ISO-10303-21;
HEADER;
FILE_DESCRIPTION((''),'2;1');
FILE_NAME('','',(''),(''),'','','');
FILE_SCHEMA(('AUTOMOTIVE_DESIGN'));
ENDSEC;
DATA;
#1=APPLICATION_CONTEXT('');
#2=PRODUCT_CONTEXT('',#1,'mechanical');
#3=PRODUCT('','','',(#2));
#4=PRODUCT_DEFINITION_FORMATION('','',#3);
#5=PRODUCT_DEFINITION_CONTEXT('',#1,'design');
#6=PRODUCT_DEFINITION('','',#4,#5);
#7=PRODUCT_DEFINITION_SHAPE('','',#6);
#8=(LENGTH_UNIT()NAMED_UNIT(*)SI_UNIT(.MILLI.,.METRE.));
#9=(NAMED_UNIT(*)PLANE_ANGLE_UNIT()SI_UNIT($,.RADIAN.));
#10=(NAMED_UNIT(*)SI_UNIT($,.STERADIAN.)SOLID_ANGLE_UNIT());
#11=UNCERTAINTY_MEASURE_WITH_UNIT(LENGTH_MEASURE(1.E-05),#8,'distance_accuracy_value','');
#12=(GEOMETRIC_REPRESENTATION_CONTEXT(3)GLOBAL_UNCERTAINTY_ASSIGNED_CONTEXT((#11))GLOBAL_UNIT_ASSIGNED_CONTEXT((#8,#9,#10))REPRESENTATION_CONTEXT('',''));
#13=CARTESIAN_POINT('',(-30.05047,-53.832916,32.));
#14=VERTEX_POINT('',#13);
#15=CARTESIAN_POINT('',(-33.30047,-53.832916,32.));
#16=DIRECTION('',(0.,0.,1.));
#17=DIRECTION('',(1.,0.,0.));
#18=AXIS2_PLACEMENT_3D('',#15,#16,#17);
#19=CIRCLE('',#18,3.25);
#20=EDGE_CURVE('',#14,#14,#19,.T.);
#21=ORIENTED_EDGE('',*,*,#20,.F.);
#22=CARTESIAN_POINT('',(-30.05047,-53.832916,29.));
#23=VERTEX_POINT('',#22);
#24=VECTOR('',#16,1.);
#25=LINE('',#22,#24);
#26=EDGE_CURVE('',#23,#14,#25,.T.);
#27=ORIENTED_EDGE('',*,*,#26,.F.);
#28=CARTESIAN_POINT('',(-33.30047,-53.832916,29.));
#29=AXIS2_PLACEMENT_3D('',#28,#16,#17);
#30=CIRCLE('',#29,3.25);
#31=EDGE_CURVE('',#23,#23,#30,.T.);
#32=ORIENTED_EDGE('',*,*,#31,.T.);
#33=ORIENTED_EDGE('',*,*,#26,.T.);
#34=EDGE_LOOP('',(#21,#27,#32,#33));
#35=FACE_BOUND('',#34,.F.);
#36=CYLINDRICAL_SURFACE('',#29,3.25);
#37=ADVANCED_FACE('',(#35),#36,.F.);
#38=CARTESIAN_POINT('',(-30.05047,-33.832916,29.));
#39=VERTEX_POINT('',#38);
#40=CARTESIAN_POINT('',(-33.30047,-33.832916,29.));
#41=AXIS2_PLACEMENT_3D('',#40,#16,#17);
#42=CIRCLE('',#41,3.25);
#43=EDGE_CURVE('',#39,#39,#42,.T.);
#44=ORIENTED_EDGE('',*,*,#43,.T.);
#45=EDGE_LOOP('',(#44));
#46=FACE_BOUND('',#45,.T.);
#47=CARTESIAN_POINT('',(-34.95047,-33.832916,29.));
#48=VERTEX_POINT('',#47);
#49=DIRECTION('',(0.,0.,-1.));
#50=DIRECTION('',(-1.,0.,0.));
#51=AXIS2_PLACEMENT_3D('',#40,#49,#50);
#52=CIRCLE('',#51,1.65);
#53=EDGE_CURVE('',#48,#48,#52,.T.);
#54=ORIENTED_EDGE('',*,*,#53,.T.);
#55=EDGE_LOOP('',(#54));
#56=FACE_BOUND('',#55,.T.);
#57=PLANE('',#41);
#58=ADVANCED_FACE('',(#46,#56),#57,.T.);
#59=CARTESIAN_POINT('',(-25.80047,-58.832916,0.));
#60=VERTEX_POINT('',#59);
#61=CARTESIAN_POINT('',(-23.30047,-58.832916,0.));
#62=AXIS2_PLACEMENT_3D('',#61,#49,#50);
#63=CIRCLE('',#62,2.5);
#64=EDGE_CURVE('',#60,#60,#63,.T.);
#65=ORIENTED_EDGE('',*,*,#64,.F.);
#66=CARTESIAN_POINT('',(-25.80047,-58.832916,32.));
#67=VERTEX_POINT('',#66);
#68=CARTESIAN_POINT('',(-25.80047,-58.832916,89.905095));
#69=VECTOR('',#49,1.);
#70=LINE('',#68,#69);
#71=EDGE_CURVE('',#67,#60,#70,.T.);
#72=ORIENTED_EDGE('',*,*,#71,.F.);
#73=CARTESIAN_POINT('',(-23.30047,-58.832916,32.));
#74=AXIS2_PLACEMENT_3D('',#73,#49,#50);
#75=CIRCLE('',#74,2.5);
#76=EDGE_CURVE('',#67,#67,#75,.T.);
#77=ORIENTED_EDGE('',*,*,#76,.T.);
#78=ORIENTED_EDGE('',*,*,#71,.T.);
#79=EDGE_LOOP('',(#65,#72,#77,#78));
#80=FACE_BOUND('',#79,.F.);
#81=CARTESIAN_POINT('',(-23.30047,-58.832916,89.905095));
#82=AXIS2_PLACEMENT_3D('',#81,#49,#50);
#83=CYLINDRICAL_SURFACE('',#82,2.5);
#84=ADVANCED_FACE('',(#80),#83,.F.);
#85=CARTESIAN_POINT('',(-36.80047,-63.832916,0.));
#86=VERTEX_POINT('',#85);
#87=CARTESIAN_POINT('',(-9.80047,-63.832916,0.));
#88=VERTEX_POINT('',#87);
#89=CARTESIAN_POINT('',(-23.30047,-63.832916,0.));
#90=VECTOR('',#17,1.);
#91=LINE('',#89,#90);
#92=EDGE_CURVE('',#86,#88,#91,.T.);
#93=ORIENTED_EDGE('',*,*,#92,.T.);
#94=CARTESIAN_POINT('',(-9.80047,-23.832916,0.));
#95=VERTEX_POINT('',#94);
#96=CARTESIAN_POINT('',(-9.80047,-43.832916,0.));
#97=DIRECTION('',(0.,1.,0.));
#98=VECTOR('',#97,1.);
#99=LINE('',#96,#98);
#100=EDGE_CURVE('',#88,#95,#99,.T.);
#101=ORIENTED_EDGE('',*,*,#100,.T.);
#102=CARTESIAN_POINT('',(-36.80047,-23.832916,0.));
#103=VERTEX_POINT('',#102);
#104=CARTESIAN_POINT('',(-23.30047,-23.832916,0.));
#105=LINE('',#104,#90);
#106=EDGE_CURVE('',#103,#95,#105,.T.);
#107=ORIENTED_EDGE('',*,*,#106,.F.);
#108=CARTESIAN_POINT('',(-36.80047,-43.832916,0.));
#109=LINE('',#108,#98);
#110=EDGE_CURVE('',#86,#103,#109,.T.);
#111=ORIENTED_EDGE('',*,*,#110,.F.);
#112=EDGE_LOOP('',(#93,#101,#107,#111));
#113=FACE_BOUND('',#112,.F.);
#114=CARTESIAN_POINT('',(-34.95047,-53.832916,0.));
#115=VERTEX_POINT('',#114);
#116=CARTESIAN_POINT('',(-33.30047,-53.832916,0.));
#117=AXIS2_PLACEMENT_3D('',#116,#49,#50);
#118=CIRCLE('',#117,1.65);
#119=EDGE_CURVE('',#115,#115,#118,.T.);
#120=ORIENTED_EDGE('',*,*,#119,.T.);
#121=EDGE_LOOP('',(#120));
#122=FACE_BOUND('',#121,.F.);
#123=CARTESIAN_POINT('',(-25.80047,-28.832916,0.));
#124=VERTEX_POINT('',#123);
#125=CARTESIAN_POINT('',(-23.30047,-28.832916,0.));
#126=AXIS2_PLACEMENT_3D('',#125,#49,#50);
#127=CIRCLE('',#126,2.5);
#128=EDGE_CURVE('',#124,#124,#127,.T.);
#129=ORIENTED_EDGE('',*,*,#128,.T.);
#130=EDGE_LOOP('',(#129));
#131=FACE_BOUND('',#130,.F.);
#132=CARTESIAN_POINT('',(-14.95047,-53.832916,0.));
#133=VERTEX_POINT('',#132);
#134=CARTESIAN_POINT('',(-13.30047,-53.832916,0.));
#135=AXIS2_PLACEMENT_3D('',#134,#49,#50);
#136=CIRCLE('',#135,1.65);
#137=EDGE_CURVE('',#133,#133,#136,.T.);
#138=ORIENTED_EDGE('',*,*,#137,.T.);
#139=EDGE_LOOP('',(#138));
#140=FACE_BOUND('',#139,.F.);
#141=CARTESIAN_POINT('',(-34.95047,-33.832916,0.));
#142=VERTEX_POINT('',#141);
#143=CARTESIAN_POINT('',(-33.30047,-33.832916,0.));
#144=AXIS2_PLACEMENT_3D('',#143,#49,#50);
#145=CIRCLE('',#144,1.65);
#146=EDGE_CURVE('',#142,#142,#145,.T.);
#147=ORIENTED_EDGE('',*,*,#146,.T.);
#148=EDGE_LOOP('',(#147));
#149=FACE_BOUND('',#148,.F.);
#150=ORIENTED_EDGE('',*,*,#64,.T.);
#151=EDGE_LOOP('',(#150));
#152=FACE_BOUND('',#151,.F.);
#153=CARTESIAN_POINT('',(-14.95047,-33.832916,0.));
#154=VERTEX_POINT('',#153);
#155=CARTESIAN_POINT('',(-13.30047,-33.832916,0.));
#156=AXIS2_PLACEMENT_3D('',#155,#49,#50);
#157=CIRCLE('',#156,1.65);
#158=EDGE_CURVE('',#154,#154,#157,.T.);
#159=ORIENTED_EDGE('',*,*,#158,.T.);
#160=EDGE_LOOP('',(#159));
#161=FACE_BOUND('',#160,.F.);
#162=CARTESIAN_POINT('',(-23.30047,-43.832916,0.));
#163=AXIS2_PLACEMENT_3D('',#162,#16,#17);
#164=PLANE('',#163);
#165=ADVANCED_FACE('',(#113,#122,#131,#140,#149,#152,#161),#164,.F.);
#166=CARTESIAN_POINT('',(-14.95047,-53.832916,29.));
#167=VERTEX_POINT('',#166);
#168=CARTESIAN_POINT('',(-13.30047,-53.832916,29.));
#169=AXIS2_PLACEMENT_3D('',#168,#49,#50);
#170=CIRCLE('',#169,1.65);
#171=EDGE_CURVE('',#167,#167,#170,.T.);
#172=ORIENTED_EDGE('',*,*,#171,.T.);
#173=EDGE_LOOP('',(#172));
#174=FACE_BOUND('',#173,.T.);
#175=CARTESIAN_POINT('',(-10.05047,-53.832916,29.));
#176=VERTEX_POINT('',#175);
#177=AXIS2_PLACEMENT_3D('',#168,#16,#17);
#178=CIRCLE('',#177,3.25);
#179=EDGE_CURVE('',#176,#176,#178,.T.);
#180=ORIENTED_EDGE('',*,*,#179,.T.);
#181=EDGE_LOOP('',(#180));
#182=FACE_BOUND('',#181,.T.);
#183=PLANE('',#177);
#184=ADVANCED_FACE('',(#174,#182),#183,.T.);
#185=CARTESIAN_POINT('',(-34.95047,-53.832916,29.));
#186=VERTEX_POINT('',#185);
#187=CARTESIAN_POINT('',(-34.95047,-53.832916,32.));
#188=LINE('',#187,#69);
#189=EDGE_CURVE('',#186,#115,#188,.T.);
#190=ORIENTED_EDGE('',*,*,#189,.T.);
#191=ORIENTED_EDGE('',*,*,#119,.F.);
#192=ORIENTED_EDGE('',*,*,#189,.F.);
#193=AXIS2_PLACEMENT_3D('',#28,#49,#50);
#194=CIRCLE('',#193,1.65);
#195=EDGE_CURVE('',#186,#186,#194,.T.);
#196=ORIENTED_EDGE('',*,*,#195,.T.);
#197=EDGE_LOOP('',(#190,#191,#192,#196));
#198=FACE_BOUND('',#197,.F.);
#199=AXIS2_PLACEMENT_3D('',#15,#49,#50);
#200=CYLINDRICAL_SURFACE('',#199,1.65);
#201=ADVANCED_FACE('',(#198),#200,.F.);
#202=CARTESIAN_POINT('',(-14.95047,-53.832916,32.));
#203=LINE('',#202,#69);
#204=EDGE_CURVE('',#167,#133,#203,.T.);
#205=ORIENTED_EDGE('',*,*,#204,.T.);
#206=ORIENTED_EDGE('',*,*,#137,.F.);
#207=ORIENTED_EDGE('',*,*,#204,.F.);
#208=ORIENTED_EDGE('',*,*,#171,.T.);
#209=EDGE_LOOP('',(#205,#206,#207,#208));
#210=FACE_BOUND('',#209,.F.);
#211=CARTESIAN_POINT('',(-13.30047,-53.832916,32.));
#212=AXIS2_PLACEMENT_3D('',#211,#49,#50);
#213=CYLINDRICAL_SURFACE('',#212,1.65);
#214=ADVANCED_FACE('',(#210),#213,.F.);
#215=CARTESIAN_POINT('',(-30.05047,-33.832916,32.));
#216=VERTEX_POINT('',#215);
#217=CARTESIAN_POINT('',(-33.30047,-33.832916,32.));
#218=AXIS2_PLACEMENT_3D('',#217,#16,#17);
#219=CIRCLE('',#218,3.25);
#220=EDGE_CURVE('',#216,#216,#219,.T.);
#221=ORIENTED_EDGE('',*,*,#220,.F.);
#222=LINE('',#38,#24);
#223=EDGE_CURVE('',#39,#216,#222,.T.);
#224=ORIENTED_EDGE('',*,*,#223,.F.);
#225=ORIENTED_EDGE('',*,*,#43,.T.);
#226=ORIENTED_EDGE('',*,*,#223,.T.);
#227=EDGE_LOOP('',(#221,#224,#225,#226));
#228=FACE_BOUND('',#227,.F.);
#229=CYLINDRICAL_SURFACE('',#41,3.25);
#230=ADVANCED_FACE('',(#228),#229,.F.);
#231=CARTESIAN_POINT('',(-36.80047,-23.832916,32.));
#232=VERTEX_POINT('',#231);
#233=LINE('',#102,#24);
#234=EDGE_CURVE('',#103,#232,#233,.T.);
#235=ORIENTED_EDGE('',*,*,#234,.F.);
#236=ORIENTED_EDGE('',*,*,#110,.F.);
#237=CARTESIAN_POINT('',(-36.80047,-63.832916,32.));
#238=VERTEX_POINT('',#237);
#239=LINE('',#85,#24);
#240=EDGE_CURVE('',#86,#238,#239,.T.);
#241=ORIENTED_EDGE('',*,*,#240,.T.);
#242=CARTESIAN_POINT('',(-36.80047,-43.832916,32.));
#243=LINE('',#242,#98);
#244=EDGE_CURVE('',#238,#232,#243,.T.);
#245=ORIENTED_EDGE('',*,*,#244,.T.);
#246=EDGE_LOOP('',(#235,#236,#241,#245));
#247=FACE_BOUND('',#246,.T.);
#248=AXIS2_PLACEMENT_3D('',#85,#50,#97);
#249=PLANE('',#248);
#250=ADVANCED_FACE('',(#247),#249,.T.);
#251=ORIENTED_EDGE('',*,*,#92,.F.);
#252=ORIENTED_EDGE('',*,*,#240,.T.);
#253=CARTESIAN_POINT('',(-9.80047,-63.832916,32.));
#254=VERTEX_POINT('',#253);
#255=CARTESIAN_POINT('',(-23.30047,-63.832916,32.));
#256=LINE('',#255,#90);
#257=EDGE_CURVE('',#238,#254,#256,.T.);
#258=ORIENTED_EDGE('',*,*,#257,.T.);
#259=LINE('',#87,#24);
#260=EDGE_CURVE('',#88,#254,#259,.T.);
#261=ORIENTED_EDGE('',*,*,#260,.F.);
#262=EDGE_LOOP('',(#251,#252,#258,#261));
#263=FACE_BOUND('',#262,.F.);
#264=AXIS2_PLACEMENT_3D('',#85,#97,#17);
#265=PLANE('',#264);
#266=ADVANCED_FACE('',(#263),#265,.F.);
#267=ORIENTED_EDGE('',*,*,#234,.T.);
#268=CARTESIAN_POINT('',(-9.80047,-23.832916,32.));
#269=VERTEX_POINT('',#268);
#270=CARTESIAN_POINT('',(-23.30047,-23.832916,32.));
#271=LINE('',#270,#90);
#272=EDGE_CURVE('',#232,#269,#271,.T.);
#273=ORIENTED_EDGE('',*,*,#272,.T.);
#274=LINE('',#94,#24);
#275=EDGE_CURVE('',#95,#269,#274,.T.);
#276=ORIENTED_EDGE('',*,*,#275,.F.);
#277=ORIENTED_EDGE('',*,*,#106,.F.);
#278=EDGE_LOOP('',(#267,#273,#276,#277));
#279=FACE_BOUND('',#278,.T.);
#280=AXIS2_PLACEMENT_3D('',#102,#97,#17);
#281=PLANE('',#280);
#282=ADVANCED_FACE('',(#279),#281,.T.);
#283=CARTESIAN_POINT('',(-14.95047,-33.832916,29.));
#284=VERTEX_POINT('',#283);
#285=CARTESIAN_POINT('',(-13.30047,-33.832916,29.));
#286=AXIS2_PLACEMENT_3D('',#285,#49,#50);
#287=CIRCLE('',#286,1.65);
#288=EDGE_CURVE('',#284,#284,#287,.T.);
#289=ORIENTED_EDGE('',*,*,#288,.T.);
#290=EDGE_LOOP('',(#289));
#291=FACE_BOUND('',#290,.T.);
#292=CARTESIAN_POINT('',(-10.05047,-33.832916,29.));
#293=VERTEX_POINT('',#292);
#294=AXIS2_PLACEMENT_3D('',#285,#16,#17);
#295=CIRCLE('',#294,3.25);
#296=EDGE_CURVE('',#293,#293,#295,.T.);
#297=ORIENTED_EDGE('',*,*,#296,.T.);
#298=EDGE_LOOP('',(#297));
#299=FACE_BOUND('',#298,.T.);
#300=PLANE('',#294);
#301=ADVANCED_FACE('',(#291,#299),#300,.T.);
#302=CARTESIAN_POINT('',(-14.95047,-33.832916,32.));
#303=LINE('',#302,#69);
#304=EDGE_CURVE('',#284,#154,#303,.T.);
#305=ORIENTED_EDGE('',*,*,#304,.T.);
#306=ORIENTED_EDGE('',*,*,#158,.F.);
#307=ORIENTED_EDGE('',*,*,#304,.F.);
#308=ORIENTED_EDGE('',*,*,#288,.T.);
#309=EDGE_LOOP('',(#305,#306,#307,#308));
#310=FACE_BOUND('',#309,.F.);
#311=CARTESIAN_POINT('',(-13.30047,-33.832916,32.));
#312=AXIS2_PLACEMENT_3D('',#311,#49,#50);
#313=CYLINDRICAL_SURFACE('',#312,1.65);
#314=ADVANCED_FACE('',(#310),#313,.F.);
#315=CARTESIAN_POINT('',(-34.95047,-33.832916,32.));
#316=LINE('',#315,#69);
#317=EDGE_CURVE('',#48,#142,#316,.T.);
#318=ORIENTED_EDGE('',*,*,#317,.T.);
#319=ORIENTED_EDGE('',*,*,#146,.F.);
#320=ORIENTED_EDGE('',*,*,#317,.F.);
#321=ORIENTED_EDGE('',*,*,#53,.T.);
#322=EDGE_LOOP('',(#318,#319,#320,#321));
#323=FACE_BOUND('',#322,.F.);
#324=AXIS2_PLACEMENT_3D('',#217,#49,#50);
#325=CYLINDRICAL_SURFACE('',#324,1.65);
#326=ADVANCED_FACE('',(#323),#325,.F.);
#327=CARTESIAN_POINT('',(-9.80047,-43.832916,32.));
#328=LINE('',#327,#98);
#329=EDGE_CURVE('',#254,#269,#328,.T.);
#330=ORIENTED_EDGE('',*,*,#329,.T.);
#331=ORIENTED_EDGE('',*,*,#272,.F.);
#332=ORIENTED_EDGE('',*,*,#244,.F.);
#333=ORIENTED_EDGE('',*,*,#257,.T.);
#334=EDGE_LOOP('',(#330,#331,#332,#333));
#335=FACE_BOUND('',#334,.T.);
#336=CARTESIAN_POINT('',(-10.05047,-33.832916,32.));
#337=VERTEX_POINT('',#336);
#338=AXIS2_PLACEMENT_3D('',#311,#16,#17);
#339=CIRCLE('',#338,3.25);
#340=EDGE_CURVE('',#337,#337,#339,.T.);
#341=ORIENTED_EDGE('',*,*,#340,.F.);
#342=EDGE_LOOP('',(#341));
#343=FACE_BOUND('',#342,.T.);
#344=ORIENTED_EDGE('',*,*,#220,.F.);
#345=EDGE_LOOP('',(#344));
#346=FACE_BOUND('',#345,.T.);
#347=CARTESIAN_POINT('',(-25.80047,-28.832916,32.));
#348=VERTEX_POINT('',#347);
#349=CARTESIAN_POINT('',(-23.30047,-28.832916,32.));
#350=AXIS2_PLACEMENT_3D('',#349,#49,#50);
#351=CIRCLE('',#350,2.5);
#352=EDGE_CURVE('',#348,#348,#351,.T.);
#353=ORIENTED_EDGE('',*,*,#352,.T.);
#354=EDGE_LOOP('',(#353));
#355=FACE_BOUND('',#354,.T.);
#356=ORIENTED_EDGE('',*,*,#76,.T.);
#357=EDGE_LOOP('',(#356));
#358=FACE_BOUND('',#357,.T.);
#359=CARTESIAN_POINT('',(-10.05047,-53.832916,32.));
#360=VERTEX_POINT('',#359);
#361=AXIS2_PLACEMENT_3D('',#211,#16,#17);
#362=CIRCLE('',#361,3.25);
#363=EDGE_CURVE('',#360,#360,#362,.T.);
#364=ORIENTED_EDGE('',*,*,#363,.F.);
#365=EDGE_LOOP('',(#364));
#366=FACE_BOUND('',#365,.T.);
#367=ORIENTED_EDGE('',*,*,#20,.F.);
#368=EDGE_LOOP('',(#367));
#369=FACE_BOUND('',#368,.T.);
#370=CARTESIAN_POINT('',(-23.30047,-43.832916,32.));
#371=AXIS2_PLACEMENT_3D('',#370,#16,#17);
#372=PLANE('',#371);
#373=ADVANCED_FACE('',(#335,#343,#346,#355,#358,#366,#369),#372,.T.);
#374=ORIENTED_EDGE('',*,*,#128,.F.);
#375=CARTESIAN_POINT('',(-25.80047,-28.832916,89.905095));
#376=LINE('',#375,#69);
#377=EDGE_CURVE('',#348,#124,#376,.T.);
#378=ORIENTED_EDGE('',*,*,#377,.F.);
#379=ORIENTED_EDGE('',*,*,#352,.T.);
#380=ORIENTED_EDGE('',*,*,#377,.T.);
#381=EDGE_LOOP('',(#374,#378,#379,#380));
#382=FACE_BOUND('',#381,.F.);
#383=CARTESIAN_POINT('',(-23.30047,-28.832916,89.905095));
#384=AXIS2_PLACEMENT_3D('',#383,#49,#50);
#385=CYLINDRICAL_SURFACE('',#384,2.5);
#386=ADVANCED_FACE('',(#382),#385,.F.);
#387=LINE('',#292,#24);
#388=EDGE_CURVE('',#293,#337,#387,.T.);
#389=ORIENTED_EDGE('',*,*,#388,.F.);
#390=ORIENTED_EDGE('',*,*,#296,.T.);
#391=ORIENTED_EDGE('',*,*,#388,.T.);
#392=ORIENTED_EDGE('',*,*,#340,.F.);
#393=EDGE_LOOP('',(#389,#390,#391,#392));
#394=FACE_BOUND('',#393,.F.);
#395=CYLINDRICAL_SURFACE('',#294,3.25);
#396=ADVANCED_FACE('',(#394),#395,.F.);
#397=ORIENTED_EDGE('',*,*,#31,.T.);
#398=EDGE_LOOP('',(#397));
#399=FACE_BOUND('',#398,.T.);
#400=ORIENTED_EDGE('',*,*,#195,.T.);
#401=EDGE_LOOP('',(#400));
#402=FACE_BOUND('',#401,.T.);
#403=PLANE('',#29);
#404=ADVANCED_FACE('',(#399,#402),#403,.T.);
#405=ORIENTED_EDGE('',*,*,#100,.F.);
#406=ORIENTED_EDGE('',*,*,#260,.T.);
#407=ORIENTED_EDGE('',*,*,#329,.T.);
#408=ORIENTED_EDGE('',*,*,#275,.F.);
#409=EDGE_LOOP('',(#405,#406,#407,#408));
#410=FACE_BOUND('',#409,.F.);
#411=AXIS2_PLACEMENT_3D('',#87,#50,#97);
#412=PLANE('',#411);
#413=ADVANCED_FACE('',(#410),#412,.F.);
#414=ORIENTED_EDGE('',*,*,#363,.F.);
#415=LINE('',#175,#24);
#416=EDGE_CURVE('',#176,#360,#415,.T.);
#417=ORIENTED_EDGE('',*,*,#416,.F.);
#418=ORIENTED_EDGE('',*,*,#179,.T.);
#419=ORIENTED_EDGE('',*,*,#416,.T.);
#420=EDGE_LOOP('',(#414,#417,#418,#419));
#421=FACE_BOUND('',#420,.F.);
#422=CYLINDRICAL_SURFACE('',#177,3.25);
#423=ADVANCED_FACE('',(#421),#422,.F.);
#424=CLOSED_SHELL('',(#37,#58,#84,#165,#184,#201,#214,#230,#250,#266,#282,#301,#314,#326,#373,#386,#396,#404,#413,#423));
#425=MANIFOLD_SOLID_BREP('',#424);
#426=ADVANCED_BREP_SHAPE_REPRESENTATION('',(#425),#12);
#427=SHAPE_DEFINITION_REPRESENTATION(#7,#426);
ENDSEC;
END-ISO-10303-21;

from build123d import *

# Parameters (mm, degrees)
F0_W           = 27
F0_H           = 40
F1_DEPTH       = 32
F3_D           = 3.3
F3_CBORE_D     = 6.5
F3_CBORE_DEPTH = 3
F4_D           = 5


with BuildPart() as f1:
    # F0 (on Top) → F1 (new body)
    with BuildSketch(Plane.XY):
        with Locations((-23.3004702032, -43.8329163194)):
            Rectangle(F0_W, F0_H)
    extrude(amount=F1_DEPTH)

    # F3 (through all)
    with Locations(Plane.XY.offset(32)):
        with Locations((-33.3004702032, -33.8329163194), (-13.3004702032, -33.8329163194), (-13.3004702032, -53.8329163194), (-33.3004702032, -53.8329163194)):
            CounterBoreHole(F3_D / 2, F3_CBORE_D / 2, F3_CBORE_DEPTH)

    # F4 (through all)
    with Locations(Plane.XY.offset(32)):
        with Locations((-23.3004702032, -28.8329163194), (-23.3004702032, -58.8329163194)):
            Hole(F4_D / 2)


solid = f1.part
